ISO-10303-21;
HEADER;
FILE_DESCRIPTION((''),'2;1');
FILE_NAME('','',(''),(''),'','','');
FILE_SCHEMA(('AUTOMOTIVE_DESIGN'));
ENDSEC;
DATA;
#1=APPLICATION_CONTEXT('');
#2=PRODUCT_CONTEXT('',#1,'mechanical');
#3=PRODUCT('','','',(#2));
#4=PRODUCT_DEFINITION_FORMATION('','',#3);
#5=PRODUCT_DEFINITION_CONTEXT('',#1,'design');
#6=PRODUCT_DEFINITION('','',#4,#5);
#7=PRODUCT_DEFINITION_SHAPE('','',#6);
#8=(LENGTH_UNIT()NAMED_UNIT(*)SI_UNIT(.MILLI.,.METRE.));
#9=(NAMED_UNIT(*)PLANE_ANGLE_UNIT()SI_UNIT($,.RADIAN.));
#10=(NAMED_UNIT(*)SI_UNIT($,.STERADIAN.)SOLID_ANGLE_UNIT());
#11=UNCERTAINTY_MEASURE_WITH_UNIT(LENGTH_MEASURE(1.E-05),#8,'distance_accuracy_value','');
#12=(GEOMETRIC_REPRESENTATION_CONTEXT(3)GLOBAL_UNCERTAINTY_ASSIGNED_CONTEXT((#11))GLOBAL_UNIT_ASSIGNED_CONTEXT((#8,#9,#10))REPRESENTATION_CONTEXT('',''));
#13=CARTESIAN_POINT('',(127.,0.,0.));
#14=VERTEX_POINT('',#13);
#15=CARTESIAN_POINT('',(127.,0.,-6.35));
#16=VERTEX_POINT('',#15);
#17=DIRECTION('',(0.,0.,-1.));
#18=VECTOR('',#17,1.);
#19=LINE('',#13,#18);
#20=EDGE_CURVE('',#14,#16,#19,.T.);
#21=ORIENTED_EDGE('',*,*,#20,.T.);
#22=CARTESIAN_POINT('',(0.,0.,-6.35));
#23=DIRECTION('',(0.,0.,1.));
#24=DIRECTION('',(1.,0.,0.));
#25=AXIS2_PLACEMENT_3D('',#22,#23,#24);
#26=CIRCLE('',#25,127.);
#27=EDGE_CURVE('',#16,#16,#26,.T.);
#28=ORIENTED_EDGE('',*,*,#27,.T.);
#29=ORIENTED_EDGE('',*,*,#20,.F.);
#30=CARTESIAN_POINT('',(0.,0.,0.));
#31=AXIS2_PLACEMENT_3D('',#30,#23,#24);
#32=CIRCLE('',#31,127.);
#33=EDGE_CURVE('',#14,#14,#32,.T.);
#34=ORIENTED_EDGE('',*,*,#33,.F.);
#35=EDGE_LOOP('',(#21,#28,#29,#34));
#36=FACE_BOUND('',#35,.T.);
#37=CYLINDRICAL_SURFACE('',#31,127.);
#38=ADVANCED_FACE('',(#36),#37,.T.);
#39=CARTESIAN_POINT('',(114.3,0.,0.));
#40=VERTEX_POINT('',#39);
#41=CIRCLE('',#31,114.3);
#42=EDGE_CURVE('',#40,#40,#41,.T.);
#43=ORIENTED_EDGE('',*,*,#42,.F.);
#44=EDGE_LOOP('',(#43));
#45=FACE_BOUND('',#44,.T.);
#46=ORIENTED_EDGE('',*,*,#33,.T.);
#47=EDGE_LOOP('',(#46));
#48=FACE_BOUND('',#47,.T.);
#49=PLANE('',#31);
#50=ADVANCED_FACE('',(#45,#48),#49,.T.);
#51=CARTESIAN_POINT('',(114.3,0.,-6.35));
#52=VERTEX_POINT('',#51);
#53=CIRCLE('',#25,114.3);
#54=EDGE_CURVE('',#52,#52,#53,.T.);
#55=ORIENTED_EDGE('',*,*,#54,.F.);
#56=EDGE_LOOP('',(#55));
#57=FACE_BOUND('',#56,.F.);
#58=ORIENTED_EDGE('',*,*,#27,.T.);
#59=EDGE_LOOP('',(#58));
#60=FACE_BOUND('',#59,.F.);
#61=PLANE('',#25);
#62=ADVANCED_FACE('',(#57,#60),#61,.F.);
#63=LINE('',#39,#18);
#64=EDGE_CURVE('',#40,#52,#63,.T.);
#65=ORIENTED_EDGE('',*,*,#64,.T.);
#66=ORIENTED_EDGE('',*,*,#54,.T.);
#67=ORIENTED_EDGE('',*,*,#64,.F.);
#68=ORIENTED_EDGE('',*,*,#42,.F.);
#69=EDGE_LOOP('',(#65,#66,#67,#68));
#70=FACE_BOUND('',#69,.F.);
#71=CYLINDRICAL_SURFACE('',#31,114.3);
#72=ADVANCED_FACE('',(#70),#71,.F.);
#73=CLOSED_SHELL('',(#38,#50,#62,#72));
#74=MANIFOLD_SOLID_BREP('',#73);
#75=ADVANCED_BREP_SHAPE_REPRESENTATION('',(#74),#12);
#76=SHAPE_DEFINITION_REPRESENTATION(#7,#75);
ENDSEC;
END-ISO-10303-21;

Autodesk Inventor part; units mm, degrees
ref_plane "YZ Plane" through (0, 0, 0) normal (1, 0, 0) x (0, 1, 0)
ref_plane "XZ Plane" through (0, 0, 0) normal (0, 1, 0) x (-1, 0, 0)
ref_plane "XY Plane" through (0, 0, 0) normal (0, 0, 1) x (1, 0, 0)
sketch "Sketch1" plane through (0, 0, 0) normal (0, 0, 1) x (1, 0, 0)
  circle A0 centre (0, 0) radius 127
  circle A1 centre (0, 0) radius 114.3
  dimension "d0" = 254
  dimension "d1" = 228.6
extrude "Extrusion1" add sketch "Sketch1" against normal blind 6.35
properties part number "proxyturntable"
